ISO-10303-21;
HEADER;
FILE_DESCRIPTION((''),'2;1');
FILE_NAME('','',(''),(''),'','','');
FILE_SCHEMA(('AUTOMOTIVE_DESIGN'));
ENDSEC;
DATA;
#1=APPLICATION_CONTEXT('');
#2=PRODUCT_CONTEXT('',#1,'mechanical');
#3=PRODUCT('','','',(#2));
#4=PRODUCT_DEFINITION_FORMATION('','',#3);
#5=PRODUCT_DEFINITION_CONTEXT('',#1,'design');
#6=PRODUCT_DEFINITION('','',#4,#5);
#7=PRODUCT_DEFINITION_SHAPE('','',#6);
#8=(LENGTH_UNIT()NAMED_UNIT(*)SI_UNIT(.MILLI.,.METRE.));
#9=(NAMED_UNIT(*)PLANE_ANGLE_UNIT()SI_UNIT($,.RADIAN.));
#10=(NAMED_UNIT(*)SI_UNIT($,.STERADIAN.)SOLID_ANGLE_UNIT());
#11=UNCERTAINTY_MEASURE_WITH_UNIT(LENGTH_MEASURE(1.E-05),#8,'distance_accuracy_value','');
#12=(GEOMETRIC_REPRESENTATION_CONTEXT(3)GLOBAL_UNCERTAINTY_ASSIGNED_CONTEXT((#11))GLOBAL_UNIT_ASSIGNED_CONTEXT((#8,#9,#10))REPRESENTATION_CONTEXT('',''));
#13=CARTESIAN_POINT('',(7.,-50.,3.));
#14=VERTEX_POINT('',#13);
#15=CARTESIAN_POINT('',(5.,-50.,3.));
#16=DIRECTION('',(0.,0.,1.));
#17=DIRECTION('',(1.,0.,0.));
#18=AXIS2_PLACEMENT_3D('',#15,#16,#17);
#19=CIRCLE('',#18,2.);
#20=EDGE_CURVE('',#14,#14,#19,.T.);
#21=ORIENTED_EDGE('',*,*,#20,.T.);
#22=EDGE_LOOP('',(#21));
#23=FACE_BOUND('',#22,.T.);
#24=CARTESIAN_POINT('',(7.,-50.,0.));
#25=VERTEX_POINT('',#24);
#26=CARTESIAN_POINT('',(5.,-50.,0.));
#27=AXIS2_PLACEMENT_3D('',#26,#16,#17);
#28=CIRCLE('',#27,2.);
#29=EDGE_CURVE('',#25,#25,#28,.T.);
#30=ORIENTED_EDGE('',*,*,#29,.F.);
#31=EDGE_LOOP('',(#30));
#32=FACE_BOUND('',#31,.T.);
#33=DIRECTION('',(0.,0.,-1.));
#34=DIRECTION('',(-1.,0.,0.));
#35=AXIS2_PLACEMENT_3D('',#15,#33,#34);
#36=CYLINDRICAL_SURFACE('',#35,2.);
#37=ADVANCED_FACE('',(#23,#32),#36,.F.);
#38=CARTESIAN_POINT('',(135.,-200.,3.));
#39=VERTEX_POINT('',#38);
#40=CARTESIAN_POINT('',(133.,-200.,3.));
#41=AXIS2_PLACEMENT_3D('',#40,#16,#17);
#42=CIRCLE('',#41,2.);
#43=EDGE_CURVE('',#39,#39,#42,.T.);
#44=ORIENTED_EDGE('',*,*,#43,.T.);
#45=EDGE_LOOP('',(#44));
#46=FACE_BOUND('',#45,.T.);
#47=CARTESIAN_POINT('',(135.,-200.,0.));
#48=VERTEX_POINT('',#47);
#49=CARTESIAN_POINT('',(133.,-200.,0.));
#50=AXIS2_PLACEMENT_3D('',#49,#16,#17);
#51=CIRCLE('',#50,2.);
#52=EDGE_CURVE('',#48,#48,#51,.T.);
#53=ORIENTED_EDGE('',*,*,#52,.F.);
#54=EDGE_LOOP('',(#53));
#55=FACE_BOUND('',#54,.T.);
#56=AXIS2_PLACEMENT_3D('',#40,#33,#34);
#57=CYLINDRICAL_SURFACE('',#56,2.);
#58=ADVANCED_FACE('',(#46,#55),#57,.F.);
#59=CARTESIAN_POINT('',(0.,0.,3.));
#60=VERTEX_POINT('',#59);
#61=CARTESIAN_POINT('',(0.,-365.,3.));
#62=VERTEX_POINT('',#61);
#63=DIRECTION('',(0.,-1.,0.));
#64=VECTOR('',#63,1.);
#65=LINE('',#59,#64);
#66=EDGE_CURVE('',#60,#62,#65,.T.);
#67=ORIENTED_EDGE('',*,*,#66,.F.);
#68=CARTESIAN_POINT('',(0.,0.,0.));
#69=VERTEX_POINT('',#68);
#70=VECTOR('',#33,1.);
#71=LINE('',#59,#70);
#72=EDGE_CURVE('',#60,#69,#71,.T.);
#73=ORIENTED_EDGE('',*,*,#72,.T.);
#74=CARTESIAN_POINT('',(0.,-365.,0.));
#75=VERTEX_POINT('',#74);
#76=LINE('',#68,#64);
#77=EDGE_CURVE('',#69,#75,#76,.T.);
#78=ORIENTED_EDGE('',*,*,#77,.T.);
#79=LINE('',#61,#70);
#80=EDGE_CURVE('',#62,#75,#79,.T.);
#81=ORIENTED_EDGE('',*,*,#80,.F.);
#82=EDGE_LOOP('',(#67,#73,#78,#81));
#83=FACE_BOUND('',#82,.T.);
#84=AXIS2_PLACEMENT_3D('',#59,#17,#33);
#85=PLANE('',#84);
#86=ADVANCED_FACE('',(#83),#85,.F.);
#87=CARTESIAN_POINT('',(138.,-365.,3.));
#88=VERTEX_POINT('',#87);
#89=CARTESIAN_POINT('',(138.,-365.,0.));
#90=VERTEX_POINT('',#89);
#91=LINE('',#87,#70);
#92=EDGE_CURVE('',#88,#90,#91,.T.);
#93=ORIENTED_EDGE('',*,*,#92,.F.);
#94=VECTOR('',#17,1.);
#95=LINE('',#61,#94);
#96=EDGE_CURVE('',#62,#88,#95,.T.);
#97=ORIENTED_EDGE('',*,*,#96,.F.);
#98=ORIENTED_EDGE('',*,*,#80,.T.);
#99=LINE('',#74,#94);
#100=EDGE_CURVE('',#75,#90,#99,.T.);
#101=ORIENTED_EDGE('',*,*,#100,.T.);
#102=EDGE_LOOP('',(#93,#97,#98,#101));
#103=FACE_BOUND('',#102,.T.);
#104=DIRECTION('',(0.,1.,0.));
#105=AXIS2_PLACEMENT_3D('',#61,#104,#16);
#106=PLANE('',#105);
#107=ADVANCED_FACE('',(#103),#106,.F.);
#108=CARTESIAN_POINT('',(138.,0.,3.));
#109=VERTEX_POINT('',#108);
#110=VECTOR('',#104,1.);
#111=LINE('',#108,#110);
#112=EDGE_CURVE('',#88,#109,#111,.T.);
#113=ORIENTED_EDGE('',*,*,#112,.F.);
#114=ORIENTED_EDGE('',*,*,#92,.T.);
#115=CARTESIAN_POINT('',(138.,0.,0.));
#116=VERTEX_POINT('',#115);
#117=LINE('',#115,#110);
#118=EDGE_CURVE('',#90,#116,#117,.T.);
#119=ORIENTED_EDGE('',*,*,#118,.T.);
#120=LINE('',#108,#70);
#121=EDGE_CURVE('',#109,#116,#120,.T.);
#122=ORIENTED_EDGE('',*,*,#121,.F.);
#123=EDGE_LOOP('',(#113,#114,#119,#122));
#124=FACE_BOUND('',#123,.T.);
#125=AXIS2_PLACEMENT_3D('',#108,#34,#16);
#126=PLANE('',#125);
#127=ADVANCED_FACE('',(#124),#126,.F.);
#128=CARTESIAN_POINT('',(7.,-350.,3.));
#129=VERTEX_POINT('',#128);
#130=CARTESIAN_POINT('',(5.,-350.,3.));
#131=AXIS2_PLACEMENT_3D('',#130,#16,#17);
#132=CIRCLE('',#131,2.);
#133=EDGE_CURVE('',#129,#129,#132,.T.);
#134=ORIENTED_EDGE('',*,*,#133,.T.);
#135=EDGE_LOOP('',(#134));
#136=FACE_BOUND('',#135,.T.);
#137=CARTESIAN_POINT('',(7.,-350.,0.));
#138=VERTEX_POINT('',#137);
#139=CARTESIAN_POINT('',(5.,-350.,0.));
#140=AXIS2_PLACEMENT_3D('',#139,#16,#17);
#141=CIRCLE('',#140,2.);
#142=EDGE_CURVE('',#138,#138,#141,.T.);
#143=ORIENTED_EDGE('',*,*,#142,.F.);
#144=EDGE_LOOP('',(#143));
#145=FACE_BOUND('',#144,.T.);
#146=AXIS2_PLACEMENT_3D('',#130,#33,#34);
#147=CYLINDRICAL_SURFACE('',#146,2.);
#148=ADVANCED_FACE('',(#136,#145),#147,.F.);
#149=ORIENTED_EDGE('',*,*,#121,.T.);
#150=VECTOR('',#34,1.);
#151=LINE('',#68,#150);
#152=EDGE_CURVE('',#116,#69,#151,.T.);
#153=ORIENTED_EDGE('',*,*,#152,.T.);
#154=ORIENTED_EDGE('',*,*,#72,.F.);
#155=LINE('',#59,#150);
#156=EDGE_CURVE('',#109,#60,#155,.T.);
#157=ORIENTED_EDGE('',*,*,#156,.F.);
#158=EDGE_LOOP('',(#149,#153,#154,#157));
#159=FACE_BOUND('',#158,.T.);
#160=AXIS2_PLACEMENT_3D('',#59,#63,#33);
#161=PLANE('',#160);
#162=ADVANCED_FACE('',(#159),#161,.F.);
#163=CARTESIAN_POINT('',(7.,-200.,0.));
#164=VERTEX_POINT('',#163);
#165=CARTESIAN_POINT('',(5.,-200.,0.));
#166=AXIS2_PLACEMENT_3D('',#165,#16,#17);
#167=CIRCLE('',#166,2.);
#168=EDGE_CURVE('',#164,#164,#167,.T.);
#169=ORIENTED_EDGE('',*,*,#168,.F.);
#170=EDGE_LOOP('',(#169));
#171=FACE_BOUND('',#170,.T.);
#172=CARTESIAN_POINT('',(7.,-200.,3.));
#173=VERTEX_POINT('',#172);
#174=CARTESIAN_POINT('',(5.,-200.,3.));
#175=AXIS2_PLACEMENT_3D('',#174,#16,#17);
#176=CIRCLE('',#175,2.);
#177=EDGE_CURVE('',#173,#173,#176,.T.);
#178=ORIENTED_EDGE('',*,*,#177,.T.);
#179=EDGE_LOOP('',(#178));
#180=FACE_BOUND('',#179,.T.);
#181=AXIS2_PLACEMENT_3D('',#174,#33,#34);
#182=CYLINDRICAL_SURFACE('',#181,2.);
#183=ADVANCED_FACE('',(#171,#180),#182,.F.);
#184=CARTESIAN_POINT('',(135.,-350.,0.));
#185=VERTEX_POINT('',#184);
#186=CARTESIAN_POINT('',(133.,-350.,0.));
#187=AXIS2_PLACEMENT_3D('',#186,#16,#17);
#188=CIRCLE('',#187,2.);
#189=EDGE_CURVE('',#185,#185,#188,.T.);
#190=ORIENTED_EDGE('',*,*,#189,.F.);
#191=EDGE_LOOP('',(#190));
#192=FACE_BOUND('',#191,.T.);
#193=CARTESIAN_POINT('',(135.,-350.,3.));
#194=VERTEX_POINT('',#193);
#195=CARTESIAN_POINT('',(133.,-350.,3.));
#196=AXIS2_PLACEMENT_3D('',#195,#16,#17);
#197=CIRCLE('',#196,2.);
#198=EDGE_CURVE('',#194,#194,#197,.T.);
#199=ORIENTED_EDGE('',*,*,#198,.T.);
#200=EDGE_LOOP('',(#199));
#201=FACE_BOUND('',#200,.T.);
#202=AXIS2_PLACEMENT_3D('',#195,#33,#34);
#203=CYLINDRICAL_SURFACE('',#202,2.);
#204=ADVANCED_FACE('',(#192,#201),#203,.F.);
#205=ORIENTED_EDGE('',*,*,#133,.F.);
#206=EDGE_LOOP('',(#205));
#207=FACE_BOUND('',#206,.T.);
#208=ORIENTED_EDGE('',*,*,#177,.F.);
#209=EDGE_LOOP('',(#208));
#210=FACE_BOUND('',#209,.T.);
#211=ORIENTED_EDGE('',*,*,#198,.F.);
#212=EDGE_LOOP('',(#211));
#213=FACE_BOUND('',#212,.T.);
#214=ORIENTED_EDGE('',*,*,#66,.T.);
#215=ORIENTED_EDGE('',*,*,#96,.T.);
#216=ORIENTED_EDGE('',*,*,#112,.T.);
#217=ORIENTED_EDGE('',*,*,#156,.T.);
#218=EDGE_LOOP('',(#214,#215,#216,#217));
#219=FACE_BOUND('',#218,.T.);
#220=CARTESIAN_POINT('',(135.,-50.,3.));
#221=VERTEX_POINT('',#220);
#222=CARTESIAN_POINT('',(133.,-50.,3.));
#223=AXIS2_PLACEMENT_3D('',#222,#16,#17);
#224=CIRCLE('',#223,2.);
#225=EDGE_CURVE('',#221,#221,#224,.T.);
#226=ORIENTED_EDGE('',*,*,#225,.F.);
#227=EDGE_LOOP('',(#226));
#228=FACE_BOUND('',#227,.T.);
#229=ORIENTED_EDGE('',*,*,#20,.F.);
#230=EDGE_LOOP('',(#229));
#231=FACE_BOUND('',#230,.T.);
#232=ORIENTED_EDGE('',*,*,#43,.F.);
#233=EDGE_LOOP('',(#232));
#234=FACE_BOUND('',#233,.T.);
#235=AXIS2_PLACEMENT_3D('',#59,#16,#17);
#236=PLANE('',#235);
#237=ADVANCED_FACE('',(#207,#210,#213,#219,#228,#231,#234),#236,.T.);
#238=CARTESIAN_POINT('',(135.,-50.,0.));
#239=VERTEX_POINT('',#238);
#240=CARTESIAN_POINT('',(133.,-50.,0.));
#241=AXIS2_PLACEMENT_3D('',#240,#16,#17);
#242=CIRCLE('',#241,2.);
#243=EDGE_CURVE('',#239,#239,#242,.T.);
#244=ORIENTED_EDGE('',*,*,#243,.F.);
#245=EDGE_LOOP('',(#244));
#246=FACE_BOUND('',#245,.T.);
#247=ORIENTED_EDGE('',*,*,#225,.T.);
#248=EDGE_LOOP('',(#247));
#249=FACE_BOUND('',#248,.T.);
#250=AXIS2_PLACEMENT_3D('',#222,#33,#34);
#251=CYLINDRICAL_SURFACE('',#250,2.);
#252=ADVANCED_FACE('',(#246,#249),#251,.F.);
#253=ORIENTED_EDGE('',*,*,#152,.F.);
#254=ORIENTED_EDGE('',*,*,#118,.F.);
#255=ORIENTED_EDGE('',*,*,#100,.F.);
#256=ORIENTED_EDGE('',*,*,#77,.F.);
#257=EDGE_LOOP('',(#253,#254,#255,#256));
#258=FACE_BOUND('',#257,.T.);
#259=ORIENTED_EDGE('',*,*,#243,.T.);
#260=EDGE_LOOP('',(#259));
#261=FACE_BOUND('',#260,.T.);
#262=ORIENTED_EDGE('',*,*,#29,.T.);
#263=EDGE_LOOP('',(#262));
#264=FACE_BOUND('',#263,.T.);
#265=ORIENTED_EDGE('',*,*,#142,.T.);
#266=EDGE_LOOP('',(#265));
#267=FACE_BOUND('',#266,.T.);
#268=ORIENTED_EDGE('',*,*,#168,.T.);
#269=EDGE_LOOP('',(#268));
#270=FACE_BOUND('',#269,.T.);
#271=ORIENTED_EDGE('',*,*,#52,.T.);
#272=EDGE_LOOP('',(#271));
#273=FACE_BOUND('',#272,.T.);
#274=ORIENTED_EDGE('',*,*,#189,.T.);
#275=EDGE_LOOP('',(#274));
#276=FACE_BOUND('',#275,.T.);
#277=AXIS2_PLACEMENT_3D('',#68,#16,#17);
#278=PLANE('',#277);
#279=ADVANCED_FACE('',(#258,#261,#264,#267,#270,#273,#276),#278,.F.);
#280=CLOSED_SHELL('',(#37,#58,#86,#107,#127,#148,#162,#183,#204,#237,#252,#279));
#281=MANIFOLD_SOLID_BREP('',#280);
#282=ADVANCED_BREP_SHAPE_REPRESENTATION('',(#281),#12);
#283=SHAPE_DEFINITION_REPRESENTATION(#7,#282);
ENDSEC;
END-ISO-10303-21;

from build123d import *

# Parameters (mm, degrees)
SKETCH1_W           = 138
SKETCH1_H           = 365
SKETCH1_R           = 2
BOSS_EXTRUDE1_DEPTH = 3


with BuildPart() as part:
    # Sketch1 → Boss-Extrude1 (new body)
    with BuildSketch(Plane.XY):
        with Locations((69, -182.5)):
            Rectangle(SKETCH1_W, SKETCH1_H)
        with Locations((133, -350)):
            Circle(SKETCH1_R, mode=Mode.SUBTRACT)
        with Locations((5, -350)):
            Circle(SKETCH1_R, mode=Mode.SUBTRACT)
        with Locations((133, -200)):
            Circle(SKETCH1_R, mode=Mode.SUBTRACT)
        with Locations((5, -200)):
            Circle(SKETCH1_R, mode=Mode.SUBTRACT)
        with Locations((133, -50)):
            Circle(SKETCH1_R, mode=Mode.SUBTRACT)
        with Locations((5, -50)):
            Circle(SKETCH1_R, mode=Mode.SUBTRACT)
    extrude(amount=BOSS_EXTRUDE1_DEPTH)


solid = part.part
